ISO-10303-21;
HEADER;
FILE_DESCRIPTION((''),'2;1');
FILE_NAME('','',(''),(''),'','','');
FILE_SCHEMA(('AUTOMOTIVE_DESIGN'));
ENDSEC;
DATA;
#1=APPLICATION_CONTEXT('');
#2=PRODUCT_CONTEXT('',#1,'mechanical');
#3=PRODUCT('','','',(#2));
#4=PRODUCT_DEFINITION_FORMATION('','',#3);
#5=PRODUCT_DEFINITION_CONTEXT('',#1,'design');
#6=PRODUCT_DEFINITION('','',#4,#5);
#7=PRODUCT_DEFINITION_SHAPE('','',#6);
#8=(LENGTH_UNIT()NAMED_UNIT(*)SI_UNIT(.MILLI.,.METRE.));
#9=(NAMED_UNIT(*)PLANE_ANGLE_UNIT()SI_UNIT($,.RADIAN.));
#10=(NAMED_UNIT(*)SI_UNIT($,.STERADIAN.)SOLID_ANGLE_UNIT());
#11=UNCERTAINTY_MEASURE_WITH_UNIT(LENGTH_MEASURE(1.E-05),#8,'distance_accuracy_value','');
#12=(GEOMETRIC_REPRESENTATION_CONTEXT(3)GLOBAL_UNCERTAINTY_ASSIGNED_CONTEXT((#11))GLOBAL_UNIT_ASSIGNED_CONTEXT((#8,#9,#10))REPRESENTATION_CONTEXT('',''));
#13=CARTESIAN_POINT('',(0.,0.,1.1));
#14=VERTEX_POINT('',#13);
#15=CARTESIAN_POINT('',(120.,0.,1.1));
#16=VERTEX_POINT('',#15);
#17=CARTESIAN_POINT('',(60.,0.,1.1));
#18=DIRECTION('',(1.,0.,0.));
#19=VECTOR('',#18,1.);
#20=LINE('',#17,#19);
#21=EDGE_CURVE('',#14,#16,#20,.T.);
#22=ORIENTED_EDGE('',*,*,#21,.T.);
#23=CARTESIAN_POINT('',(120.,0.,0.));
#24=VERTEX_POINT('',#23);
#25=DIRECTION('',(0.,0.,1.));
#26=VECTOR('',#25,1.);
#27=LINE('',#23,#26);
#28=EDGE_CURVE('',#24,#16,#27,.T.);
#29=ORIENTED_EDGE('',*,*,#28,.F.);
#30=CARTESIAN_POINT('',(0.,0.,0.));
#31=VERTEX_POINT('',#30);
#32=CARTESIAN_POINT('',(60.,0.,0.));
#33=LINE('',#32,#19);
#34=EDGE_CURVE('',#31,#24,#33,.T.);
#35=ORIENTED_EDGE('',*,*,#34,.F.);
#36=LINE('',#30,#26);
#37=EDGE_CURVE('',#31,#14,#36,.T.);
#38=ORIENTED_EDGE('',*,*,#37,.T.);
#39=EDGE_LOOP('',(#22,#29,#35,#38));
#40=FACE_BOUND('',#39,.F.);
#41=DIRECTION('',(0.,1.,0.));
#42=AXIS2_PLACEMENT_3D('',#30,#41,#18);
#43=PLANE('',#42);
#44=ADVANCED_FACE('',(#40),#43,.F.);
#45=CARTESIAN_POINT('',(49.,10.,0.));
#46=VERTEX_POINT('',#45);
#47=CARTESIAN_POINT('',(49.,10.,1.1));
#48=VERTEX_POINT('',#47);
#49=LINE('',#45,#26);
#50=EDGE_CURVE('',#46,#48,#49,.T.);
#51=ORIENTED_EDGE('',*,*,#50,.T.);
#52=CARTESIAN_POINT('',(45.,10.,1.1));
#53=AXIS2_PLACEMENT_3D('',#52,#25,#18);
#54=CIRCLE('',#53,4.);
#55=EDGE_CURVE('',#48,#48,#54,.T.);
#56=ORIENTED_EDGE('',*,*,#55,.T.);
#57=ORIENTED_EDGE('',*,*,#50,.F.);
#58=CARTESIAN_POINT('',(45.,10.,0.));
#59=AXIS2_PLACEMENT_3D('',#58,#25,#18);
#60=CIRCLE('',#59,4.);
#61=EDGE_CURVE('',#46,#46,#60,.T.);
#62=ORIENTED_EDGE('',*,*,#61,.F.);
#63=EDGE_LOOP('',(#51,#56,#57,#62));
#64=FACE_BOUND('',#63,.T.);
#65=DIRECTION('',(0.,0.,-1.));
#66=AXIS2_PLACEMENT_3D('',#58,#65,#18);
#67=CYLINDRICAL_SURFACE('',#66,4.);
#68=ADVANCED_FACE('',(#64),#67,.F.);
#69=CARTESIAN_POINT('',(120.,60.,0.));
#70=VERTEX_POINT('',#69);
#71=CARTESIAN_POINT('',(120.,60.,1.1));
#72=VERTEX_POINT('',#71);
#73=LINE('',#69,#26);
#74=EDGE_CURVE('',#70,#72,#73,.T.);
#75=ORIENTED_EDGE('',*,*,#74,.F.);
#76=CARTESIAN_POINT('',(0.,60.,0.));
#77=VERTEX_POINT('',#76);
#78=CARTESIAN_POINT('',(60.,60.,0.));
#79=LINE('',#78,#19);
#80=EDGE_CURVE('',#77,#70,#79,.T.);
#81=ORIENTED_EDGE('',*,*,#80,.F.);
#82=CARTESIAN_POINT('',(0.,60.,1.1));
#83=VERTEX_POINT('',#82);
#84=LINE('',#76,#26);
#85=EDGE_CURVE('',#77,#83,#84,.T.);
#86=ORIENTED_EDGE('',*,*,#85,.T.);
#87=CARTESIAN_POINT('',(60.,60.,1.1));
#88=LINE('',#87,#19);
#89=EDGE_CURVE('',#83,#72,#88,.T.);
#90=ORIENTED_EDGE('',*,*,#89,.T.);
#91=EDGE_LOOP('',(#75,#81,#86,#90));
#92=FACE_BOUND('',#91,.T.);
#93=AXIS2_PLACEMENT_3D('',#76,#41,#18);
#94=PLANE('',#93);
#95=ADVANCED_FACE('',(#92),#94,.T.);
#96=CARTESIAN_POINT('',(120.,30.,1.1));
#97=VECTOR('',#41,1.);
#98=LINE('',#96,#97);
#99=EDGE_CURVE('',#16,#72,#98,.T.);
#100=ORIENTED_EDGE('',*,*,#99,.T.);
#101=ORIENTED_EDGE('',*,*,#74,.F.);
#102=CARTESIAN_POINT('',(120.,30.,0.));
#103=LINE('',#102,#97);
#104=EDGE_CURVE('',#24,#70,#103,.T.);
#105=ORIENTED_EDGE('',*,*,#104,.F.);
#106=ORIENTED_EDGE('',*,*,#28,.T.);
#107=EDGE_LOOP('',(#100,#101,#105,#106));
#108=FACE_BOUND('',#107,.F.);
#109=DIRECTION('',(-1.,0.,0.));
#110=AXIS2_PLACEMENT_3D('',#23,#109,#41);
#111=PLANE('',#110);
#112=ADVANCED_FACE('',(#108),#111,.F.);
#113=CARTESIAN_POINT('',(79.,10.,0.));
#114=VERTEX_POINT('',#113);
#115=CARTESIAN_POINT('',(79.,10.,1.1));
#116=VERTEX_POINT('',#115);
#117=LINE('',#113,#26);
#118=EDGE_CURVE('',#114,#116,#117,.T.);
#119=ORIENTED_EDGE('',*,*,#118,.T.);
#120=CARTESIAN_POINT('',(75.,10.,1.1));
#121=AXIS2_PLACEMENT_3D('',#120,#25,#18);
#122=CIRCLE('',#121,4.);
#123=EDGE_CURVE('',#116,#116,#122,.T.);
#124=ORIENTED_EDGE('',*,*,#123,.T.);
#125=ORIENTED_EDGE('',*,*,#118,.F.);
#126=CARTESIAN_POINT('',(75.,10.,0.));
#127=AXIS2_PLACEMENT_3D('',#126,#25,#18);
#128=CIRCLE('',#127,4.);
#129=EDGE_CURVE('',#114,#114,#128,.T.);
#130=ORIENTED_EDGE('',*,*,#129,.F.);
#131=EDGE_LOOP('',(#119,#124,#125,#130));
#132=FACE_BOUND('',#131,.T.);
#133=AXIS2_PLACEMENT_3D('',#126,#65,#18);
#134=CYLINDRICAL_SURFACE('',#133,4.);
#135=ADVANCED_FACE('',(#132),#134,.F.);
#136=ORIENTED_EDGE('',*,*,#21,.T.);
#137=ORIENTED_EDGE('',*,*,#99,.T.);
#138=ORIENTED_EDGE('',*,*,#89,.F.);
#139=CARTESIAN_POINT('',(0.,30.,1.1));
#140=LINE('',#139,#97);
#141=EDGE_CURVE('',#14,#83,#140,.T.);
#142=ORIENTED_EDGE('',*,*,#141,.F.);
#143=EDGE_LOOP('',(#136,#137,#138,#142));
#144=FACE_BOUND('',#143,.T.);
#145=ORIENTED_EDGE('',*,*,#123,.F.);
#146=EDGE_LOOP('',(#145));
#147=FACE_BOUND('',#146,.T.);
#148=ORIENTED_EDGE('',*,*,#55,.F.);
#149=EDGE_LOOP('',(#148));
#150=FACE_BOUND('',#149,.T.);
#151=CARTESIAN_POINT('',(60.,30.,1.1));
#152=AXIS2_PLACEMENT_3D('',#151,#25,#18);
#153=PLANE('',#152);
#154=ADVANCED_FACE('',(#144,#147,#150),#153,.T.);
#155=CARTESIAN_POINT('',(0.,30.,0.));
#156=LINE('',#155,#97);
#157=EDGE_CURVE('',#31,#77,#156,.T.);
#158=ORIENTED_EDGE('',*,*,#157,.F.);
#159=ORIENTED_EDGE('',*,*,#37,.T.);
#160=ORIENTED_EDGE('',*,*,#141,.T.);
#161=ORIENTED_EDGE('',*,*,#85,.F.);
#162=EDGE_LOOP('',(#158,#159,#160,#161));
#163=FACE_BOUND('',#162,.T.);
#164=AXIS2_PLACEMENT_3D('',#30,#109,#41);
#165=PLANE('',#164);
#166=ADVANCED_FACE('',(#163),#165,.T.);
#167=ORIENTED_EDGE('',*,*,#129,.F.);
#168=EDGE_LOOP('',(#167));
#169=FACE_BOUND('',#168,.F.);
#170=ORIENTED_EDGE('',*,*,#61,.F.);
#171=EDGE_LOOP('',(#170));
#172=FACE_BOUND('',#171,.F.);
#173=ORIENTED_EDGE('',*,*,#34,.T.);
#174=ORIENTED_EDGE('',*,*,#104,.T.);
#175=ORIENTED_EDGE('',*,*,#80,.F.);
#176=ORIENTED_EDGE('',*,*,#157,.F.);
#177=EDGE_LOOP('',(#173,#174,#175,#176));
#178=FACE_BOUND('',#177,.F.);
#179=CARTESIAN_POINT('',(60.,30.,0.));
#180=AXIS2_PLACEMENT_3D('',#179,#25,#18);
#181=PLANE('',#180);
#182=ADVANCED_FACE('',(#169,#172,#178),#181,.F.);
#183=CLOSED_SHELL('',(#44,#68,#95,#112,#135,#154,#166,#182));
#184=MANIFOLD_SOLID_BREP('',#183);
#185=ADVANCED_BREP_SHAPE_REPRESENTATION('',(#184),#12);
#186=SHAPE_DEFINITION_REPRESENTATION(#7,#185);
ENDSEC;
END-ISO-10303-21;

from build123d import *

# Parameters (mm, degrees)
CYLINDER001_R     = 4
CYLINDER001_DEPTH = 1.1
CYLINDER_R        = 4
CYLINDER_DEPTH    = 1.1
BOX_W             = 120
BOX_H             = 60
BOX_DEPTH         = 1.1


with BuildPart() as cylinder001:
    # Cylinder001 → Cylinder001 (new body)
    with BuildSketch(Plane(origin=(75, 10, 0), x_dir=(1, 0, 0), z_dir=(0, 0, 1))):
        Circle(CYLINDER001_R)
    extrude(amount=CYLINDER001_DEPTH)


with BuildPart() as cylinder:
    # Cylinder → Cylinder (new body)
    with BuildSketch(Plane(origin=(45, 10, 0), x_dir=(1, 0, 0), z_dir=(0, 0, 1))):
        Circle(CYLINDER_R)
    extrude(amount=CYLINDER_DEPTH)


with BuildPart() as cut001:
    # Box → Box (new body)
    with BuildSketch(Plane.XY):
        with Locations((60, 30)):
            Rectangle(BOX_W, BOX_H)
    extrude(amount=BOX_DEPTH)

    # Cut: cut Cylinder
    add(cylinder.part, mode=Mode.SUBTRACT)

    # Cut001: cut Cylinder001
    add(cylinder001.part, mode=Mode.SUBTRACT)


solid = cut001.part
